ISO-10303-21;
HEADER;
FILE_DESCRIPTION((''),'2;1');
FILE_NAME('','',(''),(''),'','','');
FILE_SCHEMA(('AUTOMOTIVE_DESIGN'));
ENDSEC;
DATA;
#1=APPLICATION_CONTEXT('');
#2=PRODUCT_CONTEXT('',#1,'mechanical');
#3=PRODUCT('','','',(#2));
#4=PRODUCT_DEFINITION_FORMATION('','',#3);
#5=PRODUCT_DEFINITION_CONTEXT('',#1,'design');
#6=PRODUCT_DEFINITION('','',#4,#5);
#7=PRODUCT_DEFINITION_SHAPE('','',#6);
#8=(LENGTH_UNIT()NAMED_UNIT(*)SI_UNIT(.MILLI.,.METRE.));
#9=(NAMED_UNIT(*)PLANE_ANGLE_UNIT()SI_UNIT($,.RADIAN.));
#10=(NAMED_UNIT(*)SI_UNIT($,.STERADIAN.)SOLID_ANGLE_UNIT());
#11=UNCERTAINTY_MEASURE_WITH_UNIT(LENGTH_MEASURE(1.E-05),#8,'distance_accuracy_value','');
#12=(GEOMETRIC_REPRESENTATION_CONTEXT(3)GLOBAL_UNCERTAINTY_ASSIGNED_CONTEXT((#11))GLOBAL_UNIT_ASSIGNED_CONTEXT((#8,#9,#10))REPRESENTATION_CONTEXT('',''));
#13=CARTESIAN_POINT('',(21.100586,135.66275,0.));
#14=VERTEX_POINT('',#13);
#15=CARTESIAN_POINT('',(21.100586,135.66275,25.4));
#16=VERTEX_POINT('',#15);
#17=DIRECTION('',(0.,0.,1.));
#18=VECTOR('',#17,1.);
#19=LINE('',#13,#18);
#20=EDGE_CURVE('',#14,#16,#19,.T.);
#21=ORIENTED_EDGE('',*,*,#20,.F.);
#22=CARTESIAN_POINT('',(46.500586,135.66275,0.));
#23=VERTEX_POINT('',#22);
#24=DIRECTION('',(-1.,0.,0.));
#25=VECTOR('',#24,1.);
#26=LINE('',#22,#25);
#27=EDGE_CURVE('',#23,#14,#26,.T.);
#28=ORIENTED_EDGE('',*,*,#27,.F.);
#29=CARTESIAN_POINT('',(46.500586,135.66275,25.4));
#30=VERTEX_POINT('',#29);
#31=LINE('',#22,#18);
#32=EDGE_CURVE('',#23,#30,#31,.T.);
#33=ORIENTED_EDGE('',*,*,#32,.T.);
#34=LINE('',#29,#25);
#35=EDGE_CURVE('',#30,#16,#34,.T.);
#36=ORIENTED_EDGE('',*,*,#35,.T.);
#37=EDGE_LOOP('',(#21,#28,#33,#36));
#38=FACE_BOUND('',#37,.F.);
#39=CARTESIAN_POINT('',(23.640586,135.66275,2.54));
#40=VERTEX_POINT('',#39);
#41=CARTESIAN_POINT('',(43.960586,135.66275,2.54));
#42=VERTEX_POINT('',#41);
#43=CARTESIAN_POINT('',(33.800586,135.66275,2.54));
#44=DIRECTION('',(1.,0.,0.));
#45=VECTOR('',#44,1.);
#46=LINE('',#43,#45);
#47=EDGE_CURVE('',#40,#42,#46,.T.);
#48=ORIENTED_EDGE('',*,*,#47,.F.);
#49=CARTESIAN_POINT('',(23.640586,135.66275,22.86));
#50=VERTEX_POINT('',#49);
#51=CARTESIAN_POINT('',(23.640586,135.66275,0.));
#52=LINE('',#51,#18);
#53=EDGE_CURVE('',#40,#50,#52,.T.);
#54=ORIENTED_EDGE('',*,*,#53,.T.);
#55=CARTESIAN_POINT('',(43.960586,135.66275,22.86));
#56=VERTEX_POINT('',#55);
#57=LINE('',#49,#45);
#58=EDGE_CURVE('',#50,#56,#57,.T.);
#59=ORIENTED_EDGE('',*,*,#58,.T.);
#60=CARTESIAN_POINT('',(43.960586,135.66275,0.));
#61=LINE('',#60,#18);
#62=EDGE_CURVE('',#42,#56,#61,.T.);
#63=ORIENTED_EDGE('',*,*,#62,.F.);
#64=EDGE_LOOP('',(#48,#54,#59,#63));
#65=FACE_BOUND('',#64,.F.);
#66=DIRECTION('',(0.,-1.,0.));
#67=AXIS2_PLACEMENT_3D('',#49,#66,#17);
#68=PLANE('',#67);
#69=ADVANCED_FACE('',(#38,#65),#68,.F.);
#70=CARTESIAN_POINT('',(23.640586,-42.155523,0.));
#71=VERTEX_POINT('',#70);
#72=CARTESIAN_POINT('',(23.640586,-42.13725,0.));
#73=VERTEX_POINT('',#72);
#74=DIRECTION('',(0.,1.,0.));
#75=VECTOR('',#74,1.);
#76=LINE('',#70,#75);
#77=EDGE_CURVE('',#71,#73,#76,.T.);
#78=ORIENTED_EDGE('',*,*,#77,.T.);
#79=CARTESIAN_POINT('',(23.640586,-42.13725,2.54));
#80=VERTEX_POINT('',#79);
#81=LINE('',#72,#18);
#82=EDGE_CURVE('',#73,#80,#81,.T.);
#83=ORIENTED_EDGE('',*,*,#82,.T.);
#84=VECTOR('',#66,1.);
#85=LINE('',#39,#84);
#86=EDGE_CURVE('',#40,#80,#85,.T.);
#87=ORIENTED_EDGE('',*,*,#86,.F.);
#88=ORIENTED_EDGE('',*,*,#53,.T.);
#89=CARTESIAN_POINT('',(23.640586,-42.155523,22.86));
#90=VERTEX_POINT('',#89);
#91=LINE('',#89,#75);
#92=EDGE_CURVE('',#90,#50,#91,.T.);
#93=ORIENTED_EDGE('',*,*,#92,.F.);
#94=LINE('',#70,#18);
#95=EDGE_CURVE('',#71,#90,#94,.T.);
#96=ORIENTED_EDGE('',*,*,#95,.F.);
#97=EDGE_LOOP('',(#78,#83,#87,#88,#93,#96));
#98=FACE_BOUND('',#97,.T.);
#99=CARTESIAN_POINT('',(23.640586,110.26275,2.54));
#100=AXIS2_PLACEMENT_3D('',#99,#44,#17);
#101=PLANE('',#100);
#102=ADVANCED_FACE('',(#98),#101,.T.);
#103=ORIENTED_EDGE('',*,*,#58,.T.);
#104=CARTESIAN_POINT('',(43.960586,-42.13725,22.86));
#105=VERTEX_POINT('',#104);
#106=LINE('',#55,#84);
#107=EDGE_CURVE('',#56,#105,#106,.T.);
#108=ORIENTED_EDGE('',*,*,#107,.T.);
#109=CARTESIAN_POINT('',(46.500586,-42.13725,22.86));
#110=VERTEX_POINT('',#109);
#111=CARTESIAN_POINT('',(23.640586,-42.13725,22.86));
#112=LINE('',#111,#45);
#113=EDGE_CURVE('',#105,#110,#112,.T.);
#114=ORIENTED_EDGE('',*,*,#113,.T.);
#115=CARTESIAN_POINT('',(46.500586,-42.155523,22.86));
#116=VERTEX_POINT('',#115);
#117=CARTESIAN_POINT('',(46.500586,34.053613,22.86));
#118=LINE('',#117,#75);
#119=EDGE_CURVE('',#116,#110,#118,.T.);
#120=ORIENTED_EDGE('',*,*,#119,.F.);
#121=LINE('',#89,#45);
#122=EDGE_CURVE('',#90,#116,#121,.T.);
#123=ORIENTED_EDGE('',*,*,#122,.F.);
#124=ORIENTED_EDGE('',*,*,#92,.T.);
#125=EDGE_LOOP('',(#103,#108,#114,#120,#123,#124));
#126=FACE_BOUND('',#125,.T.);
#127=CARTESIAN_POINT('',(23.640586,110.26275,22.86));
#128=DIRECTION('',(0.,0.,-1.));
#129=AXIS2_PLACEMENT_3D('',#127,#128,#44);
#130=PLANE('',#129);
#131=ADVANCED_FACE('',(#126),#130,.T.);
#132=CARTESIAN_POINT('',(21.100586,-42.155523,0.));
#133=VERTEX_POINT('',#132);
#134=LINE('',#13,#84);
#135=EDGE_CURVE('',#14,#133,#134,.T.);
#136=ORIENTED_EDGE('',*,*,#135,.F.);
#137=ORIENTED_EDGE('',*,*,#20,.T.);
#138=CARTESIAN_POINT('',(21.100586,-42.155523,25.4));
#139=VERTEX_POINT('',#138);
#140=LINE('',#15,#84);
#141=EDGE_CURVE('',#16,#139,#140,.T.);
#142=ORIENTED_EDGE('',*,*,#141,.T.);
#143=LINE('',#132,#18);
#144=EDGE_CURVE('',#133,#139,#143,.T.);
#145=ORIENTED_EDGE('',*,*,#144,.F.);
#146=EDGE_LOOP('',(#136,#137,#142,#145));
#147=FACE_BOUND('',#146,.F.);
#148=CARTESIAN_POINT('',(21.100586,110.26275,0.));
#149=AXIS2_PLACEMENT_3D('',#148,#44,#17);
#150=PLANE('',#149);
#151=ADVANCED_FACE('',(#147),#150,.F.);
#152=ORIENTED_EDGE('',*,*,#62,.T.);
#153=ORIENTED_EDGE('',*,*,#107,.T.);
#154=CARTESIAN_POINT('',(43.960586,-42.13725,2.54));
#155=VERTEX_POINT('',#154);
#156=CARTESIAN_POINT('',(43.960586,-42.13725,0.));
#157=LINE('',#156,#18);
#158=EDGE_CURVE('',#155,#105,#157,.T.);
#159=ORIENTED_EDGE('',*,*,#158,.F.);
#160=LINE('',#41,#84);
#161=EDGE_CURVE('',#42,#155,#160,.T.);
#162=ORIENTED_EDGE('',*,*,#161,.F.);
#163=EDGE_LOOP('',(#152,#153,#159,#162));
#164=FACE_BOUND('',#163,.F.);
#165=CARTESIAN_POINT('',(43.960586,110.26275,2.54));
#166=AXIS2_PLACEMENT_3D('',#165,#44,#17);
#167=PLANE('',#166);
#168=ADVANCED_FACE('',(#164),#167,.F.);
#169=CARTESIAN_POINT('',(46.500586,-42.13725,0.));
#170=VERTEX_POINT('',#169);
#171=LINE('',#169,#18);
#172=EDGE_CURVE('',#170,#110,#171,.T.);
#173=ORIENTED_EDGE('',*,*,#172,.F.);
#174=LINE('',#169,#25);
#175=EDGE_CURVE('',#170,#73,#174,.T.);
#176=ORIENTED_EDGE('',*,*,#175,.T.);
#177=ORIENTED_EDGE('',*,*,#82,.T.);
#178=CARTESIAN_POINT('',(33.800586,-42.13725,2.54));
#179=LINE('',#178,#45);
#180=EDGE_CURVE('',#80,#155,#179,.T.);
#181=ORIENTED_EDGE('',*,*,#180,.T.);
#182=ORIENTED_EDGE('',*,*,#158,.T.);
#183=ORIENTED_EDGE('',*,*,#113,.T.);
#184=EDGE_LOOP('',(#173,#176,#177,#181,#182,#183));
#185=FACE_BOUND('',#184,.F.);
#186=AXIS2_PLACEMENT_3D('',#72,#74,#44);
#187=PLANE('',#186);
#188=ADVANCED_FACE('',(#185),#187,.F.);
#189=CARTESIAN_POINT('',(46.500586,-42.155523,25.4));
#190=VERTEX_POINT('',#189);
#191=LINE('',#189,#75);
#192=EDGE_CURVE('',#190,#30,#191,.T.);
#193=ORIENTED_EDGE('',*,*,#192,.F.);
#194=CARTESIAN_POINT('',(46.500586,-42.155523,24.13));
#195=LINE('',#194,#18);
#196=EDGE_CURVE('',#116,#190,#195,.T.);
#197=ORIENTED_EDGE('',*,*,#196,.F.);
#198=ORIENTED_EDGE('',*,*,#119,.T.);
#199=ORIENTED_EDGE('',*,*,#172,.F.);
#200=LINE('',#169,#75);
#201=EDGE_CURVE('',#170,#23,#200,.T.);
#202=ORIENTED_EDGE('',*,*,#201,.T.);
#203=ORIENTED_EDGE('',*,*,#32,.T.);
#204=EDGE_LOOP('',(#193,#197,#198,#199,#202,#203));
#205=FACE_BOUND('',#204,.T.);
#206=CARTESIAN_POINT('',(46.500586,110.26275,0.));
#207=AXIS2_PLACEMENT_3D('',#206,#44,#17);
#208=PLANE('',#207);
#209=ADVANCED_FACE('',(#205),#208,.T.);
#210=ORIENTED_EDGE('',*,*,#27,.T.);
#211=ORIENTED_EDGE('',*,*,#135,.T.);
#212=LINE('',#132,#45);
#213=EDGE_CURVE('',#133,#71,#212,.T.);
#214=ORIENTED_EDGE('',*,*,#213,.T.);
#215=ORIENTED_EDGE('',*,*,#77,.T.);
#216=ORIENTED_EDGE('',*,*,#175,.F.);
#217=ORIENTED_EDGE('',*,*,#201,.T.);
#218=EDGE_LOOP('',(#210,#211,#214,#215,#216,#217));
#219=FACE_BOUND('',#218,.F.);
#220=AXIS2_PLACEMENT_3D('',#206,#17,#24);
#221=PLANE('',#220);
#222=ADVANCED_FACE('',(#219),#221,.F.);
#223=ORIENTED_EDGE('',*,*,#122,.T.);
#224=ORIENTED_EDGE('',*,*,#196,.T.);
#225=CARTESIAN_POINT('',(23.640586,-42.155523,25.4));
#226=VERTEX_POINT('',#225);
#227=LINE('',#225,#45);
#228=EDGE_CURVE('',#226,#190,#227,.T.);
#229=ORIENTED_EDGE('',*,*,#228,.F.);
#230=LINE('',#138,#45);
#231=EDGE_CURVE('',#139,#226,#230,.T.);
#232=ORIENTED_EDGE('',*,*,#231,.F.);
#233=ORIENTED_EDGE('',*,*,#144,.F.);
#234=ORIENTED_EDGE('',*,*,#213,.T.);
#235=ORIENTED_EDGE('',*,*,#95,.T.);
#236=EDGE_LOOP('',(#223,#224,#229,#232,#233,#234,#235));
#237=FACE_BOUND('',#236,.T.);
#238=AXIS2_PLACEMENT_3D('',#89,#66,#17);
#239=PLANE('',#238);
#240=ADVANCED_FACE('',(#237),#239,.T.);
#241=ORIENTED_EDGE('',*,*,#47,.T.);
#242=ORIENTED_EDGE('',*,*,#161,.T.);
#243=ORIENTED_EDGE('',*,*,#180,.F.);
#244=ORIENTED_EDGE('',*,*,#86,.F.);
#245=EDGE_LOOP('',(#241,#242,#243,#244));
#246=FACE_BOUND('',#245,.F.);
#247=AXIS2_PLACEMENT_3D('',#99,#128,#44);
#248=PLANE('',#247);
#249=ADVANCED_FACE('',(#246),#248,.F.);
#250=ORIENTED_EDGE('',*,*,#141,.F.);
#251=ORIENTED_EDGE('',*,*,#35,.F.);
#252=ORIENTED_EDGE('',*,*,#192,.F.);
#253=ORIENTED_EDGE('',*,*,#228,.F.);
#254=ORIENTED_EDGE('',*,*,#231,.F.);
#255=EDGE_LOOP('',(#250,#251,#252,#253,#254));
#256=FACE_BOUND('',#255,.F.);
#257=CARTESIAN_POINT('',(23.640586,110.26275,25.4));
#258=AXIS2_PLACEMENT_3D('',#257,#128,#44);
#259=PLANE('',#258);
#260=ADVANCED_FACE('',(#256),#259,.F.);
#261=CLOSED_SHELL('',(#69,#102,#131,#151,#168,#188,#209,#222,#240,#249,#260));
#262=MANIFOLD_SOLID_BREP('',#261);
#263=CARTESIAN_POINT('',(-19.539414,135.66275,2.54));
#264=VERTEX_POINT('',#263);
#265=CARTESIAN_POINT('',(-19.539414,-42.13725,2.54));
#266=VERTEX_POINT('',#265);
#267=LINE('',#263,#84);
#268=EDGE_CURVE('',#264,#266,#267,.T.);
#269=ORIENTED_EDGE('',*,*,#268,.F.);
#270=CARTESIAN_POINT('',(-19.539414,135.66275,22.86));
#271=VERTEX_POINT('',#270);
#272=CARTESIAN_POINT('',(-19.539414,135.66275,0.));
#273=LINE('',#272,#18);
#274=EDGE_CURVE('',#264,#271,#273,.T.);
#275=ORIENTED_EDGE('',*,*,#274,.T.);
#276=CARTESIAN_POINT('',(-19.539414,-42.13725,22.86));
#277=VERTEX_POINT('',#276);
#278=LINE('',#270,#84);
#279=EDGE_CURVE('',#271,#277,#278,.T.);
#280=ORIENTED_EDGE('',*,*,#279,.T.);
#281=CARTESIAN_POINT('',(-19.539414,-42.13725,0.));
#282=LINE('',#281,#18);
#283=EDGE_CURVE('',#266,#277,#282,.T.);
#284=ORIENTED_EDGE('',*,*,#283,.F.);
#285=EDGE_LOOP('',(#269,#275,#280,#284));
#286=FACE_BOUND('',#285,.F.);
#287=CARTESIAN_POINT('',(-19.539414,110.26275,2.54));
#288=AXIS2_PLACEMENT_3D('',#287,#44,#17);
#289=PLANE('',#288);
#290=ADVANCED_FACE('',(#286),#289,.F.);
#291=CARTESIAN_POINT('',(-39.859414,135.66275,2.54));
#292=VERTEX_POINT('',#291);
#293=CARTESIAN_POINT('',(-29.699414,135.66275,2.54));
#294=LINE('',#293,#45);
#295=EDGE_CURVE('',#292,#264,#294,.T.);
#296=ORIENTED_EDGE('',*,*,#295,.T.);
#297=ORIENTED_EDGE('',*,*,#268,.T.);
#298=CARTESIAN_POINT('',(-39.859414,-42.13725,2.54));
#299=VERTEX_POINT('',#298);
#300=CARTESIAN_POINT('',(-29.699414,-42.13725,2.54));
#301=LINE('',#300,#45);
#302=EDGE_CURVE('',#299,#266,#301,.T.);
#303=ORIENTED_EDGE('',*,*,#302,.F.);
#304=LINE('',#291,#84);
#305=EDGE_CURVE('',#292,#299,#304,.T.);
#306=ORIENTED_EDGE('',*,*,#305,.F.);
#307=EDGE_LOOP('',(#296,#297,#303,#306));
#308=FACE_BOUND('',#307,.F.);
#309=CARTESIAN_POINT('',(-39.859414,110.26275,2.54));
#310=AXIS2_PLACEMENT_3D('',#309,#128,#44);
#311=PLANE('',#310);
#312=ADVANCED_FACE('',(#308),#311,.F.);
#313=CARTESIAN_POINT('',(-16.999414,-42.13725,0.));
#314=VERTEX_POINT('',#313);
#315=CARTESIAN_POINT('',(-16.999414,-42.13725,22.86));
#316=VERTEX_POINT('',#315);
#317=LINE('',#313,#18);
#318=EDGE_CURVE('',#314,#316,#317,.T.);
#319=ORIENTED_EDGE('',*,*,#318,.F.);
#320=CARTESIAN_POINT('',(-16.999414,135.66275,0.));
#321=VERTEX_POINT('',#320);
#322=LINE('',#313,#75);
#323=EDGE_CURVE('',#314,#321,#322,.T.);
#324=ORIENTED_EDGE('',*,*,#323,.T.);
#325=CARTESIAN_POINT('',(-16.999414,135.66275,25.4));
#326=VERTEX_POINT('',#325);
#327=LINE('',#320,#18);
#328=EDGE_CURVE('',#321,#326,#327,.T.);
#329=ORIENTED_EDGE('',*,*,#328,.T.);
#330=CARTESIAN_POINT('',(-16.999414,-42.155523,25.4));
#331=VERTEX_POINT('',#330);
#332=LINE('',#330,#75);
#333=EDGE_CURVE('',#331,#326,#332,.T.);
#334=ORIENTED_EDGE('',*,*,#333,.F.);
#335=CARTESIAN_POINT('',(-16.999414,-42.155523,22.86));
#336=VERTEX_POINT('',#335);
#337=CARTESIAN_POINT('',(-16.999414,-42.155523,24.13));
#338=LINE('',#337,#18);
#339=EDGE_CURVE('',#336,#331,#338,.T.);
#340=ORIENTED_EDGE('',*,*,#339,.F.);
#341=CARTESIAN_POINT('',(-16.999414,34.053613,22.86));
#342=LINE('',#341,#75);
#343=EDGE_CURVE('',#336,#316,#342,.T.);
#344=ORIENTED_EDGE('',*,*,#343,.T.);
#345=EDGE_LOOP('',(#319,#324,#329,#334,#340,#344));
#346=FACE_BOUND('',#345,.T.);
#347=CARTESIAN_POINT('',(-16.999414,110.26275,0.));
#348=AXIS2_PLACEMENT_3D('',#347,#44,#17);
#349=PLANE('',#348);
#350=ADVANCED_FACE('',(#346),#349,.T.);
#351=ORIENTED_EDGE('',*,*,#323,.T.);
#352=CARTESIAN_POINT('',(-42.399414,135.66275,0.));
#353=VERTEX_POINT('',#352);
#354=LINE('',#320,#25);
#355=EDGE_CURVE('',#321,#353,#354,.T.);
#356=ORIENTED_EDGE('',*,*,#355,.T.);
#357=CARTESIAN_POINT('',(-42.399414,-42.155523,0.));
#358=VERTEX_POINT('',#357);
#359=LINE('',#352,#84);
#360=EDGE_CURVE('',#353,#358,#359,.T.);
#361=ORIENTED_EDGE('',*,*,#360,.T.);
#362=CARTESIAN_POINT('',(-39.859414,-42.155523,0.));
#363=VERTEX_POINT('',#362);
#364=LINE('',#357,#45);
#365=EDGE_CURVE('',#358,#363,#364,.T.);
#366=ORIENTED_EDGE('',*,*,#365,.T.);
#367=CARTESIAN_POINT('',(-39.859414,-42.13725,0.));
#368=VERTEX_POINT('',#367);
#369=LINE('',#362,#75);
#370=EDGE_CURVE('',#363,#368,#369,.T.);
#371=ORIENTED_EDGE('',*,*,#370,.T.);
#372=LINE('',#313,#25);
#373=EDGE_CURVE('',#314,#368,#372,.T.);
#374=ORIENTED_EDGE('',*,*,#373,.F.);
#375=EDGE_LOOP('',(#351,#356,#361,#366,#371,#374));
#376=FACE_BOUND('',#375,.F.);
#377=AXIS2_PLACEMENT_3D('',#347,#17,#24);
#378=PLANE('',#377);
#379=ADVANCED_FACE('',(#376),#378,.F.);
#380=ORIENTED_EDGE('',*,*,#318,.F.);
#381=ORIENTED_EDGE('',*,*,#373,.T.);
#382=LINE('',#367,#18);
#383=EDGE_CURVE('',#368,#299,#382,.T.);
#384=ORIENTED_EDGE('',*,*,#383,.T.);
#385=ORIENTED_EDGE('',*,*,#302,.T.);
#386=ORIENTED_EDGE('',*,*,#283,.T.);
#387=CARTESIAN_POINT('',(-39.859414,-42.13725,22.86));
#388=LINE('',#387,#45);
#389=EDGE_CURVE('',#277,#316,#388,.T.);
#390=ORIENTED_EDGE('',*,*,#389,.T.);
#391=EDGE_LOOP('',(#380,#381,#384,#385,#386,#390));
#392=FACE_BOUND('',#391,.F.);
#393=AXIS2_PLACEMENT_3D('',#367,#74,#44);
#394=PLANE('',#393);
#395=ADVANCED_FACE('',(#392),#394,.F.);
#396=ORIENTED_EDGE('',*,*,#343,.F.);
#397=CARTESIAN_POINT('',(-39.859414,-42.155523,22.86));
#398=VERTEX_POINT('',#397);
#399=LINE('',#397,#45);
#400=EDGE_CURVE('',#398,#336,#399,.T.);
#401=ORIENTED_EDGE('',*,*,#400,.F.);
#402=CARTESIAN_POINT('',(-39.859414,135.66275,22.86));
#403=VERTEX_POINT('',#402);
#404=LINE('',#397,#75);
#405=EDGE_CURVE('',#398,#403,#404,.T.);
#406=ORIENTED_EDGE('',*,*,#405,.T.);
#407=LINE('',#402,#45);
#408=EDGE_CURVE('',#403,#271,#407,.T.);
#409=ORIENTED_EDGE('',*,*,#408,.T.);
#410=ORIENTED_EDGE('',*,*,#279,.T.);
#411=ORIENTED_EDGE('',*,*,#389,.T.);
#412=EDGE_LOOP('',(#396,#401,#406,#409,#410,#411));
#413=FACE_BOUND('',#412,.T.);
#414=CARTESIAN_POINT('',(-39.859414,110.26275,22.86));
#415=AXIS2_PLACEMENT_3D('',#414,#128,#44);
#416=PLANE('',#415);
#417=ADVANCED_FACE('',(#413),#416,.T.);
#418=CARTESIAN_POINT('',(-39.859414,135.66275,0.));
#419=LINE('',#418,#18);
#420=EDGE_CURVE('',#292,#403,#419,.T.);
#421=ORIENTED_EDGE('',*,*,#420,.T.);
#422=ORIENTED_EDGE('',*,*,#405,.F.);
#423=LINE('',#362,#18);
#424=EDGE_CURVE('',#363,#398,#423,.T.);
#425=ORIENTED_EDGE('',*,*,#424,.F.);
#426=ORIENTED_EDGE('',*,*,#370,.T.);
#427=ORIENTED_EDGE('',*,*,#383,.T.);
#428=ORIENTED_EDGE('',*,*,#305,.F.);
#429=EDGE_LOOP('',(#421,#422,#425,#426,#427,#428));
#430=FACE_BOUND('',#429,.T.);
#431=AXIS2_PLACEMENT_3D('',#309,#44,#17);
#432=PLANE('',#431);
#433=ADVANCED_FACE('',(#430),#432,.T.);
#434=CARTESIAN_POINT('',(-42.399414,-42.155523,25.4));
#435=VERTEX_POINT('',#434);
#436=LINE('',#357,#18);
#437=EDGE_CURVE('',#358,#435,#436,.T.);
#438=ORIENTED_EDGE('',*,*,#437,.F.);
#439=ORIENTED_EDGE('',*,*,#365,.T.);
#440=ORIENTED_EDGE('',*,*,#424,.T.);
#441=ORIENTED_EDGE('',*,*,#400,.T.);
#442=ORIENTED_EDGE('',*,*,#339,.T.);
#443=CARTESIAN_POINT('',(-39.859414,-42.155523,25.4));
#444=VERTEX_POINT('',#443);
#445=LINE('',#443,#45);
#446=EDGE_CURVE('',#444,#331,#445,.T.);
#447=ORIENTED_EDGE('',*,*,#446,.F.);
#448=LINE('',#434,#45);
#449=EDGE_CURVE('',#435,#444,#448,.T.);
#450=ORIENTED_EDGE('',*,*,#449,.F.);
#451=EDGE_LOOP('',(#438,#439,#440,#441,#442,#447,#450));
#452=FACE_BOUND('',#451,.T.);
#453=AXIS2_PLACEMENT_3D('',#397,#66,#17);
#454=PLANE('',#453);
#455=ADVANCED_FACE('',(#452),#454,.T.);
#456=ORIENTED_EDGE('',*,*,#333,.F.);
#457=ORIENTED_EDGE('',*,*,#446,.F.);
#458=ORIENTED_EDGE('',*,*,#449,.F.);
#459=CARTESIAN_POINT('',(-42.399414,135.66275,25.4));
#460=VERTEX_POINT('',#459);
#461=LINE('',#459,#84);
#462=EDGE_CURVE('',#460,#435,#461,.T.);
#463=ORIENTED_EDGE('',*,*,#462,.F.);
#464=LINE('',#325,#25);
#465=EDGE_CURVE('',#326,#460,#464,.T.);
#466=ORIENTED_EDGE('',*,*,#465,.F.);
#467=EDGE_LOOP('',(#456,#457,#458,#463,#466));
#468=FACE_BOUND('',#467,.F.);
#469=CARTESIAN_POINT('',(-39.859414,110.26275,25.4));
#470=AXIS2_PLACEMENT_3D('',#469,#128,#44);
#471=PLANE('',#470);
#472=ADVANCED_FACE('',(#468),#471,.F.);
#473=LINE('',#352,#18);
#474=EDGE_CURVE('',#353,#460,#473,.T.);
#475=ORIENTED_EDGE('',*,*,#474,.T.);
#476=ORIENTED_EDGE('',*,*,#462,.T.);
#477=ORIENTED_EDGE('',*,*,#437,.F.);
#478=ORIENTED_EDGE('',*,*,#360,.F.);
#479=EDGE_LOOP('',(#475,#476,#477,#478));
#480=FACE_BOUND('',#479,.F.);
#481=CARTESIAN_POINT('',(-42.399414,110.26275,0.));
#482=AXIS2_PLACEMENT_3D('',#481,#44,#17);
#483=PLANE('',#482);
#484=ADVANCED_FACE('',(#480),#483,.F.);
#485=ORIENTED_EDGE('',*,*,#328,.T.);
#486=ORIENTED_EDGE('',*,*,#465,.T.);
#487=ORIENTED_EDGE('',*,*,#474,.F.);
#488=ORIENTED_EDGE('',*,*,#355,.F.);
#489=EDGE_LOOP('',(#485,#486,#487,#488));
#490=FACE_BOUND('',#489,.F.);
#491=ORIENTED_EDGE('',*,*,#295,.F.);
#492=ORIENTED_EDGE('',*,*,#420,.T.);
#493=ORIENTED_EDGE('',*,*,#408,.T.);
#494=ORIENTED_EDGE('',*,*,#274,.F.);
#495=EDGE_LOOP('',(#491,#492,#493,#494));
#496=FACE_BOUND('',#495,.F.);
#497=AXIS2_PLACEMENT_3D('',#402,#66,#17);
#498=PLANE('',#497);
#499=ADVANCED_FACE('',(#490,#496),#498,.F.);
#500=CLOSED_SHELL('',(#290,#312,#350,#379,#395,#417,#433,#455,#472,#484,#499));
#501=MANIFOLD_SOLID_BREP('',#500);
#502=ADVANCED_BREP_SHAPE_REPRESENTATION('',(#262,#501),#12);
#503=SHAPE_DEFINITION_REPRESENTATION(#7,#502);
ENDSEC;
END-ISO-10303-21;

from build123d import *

# Parameters (mm, degrees)
F0_W     = 20.32
F0_H     = 152.4
F1_DEPTH = 2.54
F0_W_2   = 2.54
F2_DEPTH = 25.4
F3_W     = 152.4182725489
F3_H     = 2.54
F4_DEPTH = 22.86
F6_DEPTH = 25.4


with BuildPart() as f1:
    # F0 (on Top) → F1 (new body)
    with BuildSketch(Plane.XY):
        with Locations((-29.6994138837, 34.0627496958)):
            Rectangle(F0_W, F0_H)
    extrude(amount=F1_DEPTH)

    # F0 (on Top) → F2 (join)
    with BuildSketch(Plane.XY):
        Polygon((-39.8594138837, -42.1372503042), (-39.8594138837, 110.2627496958), (-42.3994138837, 110.2627496958), (-42.3994138837, -42.1555228531), (-39.8594138837, -42.1555228531), align=None)
        with Locations((-18.2694138837, 34.0627496958)):
            Rectangle(F0_W_2, F0_H)
    extrude(amount=F2_DEPTH)

    # F3 (on face) → F4 (join)
    with BuildSketch(Plane.YZ.offset(-39.8594138837)):
        with Locations((34.0536134213, 24.13)):
            Rectangle(F3_W, F3_H)
    extrude(amount=F4_DEPTH)


with BuildPart() as f5_1:
    # F5: copy of F1
    add(f1.part.moved(Location((63.5, 0, 0))))

    # F6 (add): a face of the model
    f6_faces = [f5_1.faces().sort_by_distance(p)[0] for p in [
        (33.8005861163, 110.2627496958, 2.1807897552),
    ]]
    extrude(f6_faces, amount=F6_DEPTH)


with BuildPart() as f1_1:
    add(f1.part)

    # F6#2 (add): a face of the model
    f6_2_faces = [f1_1.faces().sort_by_distance(p)[0] for p in [
        (-29.6994138837, 110.2627496958, 2.1807897552),
    ]]
    extrude(f6_2_faces, amount=F6_DEPTH)


solid = Compound([f5_1.part, f1_1.part])
